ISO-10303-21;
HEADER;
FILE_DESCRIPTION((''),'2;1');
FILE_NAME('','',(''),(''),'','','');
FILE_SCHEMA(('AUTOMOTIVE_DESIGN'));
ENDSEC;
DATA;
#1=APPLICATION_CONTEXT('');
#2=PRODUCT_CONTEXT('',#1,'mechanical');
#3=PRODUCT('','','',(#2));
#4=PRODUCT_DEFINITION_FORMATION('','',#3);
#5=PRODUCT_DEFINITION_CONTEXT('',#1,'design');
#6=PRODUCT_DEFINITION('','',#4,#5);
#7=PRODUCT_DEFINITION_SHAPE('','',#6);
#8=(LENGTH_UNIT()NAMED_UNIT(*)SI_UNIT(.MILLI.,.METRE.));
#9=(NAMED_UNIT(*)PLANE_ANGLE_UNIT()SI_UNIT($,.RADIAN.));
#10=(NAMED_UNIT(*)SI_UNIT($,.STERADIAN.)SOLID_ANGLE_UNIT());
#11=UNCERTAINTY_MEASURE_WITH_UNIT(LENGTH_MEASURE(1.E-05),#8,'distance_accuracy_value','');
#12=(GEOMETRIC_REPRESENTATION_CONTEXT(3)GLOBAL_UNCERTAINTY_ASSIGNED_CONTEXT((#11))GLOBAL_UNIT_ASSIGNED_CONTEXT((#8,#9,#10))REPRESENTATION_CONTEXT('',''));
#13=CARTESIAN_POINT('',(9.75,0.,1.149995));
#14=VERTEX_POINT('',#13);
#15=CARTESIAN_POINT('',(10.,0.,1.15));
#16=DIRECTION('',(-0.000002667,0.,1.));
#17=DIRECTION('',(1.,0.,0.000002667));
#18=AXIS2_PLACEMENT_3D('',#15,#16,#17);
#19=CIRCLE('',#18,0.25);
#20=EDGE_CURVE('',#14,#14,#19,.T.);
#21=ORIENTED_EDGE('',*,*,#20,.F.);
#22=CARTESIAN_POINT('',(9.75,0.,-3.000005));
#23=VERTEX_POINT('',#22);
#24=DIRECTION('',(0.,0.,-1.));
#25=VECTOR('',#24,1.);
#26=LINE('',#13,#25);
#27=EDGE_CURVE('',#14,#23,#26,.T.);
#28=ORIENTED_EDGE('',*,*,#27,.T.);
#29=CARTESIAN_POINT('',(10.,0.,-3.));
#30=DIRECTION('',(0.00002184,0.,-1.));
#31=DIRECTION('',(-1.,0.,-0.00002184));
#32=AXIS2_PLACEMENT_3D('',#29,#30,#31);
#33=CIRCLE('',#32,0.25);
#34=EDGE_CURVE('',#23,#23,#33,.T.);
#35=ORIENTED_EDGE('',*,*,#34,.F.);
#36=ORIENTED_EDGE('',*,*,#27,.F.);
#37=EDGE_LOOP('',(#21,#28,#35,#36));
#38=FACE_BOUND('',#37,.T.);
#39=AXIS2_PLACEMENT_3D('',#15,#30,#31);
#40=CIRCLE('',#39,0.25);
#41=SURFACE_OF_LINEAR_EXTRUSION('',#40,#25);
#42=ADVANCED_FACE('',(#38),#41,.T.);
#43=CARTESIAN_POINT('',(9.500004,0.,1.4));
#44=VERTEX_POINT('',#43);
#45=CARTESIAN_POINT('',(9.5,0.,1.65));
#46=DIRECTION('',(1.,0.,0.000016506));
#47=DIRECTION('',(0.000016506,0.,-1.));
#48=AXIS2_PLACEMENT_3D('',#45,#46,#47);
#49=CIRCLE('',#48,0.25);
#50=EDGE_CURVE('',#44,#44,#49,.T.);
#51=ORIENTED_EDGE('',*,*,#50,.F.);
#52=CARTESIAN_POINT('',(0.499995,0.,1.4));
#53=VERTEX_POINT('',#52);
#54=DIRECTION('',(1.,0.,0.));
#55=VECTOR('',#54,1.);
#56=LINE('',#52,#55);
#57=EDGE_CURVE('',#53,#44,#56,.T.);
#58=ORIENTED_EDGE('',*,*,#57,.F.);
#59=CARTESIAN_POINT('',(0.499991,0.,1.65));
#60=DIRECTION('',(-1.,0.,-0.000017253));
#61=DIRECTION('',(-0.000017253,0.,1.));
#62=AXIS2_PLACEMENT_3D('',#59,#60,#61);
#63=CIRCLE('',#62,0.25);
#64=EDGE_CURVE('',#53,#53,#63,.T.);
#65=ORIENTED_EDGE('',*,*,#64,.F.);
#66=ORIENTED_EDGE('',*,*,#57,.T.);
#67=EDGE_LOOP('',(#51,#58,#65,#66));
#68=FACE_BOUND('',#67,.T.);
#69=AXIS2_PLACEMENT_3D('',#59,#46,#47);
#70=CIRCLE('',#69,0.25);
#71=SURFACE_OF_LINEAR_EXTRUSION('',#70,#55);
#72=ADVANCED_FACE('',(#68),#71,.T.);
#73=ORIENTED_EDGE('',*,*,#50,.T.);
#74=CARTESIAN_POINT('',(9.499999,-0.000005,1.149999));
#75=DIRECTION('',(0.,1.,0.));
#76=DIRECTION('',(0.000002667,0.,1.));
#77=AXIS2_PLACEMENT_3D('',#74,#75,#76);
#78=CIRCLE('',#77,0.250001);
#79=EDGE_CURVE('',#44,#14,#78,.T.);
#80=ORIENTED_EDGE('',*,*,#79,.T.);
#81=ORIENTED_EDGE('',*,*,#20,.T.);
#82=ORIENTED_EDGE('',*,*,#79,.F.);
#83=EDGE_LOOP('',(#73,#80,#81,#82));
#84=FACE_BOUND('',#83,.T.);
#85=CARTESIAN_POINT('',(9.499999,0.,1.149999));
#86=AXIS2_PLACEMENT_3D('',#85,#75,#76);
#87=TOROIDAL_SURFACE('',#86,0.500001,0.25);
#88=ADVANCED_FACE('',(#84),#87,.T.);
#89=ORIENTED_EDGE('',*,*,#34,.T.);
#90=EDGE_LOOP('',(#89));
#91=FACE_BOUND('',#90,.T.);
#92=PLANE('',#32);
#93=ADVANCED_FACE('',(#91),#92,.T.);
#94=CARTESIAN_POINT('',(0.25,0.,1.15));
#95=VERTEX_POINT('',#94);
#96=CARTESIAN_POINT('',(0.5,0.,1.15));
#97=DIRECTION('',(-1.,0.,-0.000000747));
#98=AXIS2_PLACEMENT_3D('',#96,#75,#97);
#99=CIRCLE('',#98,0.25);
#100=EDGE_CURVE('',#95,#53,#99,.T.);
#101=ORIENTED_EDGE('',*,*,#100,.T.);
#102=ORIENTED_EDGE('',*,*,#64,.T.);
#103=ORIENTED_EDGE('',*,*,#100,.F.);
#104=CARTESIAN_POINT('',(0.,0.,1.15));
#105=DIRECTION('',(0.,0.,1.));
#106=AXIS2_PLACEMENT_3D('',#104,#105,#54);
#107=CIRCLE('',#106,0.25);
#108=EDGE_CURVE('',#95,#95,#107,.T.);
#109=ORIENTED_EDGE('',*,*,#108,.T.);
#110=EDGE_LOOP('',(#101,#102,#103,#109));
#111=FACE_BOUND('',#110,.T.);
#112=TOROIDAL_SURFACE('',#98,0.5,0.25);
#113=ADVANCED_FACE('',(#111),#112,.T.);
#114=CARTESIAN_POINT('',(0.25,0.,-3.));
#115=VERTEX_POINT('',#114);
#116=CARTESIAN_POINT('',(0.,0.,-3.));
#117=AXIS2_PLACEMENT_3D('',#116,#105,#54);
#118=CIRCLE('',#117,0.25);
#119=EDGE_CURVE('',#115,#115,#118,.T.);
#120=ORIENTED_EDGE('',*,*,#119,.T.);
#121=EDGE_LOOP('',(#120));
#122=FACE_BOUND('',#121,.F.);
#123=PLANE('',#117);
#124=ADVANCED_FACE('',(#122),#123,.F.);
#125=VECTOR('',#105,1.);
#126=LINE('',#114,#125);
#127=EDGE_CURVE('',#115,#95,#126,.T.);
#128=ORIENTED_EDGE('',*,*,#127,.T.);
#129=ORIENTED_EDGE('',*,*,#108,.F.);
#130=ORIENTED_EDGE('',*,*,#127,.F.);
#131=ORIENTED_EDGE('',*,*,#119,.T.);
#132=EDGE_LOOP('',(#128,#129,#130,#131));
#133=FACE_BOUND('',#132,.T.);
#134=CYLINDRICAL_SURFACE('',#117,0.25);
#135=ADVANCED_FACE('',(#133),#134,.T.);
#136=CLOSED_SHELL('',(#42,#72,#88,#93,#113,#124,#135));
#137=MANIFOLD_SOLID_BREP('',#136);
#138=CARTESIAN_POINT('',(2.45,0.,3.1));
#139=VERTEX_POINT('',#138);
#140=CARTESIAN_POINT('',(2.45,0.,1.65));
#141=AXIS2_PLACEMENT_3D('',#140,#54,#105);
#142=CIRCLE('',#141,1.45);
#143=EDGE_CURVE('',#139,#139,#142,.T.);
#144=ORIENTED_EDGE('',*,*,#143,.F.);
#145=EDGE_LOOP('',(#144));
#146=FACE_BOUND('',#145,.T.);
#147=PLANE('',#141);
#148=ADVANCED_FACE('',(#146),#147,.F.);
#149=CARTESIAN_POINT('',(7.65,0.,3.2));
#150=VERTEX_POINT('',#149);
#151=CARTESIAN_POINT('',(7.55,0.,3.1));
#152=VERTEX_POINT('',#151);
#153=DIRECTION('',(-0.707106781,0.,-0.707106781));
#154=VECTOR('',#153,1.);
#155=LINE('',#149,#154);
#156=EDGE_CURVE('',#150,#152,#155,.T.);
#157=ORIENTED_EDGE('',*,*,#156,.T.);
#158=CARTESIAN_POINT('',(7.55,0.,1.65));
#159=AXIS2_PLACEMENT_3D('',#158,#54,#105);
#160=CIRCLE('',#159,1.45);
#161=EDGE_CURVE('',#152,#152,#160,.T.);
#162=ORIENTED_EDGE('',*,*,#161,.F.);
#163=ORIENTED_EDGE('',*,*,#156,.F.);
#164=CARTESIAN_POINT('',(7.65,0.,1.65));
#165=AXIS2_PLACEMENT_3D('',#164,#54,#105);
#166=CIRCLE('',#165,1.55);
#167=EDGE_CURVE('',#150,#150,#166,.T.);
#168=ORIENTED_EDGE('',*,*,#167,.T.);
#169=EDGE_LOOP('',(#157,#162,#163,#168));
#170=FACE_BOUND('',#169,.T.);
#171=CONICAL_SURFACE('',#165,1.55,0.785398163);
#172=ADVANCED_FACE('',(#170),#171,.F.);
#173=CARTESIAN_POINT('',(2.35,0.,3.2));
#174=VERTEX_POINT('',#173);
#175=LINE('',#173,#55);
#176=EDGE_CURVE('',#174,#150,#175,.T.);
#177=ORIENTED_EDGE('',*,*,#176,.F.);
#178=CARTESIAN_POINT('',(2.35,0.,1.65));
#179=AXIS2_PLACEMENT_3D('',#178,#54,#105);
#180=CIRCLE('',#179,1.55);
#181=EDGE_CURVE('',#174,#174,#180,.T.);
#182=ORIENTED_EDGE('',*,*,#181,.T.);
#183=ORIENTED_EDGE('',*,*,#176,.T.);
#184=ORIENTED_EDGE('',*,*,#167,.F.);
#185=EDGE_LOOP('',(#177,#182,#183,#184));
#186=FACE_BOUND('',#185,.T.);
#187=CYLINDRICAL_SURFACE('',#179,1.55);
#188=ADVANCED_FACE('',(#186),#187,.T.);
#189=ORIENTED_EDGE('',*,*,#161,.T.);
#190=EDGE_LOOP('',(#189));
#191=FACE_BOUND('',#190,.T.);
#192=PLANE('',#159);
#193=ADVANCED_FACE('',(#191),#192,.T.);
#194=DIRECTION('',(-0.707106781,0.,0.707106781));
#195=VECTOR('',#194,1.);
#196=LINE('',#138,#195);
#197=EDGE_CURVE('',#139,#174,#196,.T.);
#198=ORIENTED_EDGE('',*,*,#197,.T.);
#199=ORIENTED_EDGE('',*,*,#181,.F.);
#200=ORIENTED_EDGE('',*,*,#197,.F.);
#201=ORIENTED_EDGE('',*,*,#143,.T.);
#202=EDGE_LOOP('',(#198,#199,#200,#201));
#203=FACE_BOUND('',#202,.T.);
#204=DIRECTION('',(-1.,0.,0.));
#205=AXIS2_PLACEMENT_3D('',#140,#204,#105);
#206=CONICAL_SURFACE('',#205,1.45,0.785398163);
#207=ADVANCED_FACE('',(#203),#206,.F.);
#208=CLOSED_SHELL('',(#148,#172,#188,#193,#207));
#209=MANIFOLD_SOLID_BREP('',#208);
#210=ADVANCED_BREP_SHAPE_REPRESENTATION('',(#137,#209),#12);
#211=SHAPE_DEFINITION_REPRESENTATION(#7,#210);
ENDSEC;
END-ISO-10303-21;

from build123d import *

# Parameters (mm, degrees)
SKETCH_R = 0.25


with BuildPart() as sweep_body:
    # Sweep: sweep along a path in Sketch001
    with BuildLine(Plane.XZ) as sweep_path:
        Line((0, -3), (0, 1.15))
        ThreePointArc((0, 1.15), (0.146443, 1.50355), (0.499991, 1.65))
        Line((0.499991, 1.65), (9.5, 1.65))
        ThreePointArc((9.5, 1.65), (9.853553, 1.503553), (10, 1.15))
        Line((10, 1.15), (10, -3))
    # Sketch → Sweep (sweep)
    with BuildSketch(Plane.XY.offset(-2)):
        Circle(SKETCH_R)
    sweep(path=sweep_path.line)


with BuildPart() as revolution:
    # Sketch002 → Revolution (revolve)
    with BuildSketch(Plane.XZ):
        Polygon((2.35, 3.2), (7.65, 3.2), (7.55, 3.1), (7.55, 1.65), (2.45, 1.65), (2.45, 3.1), align=None)
    revolve(axis=Axis((7.611803, 0, 1.65), (1, 0, 0)))


solid = Compound([sweep_body.part, revolution.part])
